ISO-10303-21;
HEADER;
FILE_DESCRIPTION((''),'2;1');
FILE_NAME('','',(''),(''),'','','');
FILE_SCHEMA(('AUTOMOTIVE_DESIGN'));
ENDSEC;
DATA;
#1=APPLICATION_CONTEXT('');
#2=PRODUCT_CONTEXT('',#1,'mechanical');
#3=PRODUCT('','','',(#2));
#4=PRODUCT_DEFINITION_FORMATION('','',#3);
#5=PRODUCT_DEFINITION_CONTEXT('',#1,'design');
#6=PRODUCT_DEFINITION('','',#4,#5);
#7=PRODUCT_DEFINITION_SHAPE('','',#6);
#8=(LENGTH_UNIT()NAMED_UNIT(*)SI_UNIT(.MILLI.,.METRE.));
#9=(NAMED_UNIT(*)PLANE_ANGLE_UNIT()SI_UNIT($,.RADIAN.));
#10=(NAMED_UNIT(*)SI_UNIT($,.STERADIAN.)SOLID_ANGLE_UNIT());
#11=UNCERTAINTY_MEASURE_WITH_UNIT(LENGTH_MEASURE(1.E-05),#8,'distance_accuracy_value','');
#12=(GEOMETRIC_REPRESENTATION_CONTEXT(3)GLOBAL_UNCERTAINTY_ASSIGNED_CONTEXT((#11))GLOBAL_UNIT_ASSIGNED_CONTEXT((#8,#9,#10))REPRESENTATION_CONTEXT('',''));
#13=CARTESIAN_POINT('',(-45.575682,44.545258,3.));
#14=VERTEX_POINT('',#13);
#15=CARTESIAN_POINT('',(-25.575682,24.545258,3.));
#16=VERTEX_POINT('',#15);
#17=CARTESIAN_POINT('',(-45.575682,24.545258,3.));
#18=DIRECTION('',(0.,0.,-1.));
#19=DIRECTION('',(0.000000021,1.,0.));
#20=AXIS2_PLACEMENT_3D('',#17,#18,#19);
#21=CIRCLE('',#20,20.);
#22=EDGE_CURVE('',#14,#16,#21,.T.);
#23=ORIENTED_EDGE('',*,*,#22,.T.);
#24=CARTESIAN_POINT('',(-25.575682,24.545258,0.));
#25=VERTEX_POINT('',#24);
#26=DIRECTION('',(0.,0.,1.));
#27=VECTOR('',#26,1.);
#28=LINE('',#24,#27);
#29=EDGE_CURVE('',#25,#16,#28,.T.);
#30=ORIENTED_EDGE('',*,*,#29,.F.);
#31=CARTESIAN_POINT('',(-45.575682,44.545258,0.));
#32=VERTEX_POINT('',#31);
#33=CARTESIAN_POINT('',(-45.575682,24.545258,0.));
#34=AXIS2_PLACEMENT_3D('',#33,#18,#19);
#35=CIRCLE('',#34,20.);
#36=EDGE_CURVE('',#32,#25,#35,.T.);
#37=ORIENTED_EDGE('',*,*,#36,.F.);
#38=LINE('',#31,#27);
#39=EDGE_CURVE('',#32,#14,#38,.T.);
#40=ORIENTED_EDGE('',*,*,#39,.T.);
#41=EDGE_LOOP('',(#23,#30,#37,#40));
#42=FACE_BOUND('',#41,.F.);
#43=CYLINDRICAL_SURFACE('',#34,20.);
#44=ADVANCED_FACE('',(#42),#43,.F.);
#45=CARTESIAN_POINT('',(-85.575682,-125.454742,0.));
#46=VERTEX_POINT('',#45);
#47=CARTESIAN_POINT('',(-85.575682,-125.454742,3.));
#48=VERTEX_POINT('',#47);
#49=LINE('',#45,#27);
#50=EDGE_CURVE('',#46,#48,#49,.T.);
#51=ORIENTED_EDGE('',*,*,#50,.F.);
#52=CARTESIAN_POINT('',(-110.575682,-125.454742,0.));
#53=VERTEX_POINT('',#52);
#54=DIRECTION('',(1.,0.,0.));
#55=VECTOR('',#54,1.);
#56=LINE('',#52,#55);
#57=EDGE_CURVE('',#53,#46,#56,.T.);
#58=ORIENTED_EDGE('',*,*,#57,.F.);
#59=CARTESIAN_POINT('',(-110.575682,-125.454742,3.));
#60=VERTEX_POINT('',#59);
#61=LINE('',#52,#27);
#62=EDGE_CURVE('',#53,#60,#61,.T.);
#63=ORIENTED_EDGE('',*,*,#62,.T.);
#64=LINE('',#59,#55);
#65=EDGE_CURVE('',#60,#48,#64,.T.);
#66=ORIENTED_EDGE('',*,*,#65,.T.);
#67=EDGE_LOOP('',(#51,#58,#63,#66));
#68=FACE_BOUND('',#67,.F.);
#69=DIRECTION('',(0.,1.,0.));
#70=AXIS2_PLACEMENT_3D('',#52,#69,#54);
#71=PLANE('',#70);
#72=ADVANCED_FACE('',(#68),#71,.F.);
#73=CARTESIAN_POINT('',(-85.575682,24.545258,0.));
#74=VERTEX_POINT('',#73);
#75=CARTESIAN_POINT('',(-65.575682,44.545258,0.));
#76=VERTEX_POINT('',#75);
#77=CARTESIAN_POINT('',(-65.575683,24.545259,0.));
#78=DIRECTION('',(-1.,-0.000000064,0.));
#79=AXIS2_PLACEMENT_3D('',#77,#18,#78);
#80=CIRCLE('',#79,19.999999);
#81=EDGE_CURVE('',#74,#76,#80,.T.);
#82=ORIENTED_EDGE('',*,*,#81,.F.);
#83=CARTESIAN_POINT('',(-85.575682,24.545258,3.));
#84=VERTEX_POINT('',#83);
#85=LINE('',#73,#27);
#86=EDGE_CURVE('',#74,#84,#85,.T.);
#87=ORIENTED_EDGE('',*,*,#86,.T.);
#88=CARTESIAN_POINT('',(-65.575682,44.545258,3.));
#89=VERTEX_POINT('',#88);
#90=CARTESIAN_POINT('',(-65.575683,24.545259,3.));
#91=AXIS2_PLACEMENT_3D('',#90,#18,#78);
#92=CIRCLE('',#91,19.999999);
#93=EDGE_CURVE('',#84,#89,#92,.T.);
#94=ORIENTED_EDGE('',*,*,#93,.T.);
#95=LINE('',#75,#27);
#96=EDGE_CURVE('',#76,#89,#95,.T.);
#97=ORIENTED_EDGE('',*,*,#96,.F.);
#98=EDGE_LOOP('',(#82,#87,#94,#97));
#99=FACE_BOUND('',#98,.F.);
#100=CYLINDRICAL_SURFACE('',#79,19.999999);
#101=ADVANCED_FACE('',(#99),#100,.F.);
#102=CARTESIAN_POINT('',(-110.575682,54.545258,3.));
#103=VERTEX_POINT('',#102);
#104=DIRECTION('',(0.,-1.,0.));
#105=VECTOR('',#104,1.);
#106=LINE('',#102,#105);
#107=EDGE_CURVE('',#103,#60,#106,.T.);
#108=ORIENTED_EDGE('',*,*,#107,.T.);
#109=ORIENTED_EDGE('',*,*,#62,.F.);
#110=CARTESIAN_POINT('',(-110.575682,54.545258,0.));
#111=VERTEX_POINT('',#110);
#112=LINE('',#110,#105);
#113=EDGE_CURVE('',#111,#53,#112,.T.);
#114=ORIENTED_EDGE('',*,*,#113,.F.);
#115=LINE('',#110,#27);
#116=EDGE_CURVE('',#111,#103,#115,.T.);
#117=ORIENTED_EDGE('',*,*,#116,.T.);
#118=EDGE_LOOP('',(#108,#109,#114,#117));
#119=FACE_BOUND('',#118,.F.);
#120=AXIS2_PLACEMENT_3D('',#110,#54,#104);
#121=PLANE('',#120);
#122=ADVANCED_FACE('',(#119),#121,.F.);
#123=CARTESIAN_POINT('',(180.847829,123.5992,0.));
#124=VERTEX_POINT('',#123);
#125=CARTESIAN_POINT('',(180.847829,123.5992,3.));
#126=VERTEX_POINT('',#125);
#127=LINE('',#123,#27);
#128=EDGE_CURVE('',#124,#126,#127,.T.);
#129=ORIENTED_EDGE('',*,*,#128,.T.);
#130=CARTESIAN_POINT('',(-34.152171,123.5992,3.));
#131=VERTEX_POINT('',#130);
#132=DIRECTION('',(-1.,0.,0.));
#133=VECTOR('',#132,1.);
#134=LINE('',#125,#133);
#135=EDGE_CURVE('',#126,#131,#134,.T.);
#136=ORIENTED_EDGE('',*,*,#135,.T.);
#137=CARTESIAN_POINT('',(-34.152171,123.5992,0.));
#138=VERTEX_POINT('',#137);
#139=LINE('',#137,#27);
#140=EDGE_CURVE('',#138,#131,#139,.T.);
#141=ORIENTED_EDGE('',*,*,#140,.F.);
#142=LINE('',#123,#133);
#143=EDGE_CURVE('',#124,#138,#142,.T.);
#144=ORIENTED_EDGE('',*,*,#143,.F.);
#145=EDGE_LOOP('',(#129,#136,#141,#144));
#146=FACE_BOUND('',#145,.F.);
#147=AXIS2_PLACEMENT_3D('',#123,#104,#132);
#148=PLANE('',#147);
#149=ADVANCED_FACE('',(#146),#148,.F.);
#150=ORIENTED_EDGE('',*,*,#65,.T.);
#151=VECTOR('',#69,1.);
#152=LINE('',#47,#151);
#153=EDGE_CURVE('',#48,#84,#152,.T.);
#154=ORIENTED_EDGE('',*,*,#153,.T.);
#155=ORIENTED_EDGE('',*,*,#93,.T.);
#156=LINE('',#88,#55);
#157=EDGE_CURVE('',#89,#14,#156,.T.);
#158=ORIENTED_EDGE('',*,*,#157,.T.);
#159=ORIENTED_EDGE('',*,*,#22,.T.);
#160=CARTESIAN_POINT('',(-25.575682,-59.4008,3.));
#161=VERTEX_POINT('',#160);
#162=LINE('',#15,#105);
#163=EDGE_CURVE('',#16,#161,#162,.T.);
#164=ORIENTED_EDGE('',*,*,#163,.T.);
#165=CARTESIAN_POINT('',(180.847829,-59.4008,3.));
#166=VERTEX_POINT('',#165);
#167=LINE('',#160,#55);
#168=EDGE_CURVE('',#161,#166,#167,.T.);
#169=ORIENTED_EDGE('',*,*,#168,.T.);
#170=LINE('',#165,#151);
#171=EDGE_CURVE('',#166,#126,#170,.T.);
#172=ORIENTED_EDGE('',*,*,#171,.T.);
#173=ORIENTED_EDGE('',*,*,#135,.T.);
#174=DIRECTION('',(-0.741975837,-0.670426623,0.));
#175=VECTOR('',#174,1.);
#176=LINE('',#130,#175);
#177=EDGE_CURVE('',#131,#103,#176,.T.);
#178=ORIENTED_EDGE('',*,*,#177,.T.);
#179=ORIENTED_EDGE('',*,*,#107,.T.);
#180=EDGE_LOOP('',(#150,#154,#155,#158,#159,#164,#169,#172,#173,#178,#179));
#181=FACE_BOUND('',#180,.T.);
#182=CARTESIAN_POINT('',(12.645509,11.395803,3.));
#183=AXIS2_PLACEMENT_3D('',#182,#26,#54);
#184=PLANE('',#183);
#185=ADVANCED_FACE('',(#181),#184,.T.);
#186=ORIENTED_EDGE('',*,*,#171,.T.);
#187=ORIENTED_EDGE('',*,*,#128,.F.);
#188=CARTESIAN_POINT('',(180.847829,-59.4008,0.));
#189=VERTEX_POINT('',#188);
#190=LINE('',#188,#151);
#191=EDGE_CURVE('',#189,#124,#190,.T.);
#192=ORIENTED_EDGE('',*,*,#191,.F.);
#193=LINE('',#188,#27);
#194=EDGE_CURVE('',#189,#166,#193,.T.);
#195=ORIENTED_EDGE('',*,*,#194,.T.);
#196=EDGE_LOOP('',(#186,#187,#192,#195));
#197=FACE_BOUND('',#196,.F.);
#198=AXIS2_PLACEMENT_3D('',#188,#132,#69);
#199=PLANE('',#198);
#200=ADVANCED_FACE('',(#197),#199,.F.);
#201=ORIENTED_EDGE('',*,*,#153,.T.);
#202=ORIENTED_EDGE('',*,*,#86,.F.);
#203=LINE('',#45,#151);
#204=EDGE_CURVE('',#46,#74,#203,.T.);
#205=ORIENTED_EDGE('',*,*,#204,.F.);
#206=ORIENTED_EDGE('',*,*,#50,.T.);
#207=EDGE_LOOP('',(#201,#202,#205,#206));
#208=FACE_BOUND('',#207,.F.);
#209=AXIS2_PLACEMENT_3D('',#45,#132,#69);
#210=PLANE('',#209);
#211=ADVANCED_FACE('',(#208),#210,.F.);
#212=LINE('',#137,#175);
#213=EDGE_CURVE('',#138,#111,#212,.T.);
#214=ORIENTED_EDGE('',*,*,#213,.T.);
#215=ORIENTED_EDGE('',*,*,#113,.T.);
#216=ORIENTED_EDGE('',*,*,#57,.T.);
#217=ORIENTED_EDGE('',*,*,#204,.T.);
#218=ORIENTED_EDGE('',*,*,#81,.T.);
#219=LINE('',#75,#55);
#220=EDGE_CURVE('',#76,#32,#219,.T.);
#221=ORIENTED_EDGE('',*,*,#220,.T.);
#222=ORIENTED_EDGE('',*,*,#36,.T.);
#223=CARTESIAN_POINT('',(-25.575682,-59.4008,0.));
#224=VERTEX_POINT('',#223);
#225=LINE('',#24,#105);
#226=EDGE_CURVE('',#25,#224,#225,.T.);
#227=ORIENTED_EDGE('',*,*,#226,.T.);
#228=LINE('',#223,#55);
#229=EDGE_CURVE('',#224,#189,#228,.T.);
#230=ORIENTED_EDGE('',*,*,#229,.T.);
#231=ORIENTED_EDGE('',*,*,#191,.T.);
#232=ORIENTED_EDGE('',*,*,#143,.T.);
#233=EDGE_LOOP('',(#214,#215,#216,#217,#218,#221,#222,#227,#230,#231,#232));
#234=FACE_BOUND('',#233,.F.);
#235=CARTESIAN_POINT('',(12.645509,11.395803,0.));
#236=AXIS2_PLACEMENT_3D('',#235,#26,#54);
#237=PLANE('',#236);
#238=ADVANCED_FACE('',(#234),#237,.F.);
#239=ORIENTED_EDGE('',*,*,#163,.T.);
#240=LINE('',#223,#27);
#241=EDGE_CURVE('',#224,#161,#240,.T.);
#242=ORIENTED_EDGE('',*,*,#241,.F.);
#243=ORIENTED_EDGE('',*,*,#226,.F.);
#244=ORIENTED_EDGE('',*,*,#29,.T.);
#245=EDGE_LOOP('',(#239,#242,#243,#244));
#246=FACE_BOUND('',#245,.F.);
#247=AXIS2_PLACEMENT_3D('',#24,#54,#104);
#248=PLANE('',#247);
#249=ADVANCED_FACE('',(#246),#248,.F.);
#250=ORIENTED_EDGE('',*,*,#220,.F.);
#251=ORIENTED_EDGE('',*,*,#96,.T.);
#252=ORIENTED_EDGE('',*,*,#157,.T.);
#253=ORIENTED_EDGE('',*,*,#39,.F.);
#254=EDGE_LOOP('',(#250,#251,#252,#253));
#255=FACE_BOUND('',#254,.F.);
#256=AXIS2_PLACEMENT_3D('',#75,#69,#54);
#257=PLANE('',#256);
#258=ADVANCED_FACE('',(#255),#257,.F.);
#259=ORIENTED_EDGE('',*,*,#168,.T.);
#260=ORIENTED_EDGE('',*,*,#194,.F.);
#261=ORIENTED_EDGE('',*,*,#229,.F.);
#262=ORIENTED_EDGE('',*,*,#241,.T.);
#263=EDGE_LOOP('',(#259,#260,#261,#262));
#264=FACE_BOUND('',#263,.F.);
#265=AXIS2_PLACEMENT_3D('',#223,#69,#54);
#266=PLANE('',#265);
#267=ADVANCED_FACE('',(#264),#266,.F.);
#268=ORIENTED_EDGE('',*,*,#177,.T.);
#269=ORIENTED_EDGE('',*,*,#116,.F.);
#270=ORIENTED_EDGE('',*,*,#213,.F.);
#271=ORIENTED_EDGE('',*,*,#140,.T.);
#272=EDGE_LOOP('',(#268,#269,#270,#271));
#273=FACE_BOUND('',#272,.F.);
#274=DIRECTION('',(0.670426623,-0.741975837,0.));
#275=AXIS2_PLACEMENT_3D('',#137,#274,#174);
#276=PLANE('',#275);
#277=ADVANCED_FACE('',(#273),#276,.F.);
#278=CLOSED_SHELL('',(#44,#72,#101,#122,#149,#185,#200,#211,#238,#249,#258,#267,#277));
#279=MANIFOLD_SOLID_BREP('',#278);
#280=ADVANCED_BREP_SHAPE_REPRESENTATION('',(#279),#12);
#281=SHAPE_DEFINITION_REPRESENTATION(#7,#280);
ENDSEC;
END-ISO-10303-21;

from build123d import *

# Parameters (mm, degrees)
F1_DEPTH = 3


with BuildPart() as f1:
    # F0 (on Top) → F1 (new body)
    with BuildSketch(Plane.XY):
        with BuildLine():
            Line((-34.152171, 123.5992), (-110.575682, 54.545258))
            Line((-110.575682, 54.545258), (-110.575682, -125.454742))
            Line((-110.575682, -125.454742), (-85.575682, -125.454742))
            Line((-85.575682, -125.454742), (-85.575682, 24.545258))
            ThreePointArc((-85.575682, 24.545258), (-79.717818, 38.687394), (-65.575682, 44.545258))
            Line((-65.575682, 44.545258), (-45.575682, 44.545258))
            ThreePointArc((-45.575682, 44.545258), (-31.433547, 38.687394), (-25.575682, 24.545258))
            Line((-25.575682, 24.545258), (-25.575682, -59.4008))
            Line((-25.575682, -59.4008), (180.847829, -59.4008))
            Line((180.847829, -59.4008), (180.847829, 123.5992))
            Line((180.847829, 123.5992), (-34.152171, 123.5992))
        make_face()
    extrude(amount=F1_DEPTH)


solid = f1.part
